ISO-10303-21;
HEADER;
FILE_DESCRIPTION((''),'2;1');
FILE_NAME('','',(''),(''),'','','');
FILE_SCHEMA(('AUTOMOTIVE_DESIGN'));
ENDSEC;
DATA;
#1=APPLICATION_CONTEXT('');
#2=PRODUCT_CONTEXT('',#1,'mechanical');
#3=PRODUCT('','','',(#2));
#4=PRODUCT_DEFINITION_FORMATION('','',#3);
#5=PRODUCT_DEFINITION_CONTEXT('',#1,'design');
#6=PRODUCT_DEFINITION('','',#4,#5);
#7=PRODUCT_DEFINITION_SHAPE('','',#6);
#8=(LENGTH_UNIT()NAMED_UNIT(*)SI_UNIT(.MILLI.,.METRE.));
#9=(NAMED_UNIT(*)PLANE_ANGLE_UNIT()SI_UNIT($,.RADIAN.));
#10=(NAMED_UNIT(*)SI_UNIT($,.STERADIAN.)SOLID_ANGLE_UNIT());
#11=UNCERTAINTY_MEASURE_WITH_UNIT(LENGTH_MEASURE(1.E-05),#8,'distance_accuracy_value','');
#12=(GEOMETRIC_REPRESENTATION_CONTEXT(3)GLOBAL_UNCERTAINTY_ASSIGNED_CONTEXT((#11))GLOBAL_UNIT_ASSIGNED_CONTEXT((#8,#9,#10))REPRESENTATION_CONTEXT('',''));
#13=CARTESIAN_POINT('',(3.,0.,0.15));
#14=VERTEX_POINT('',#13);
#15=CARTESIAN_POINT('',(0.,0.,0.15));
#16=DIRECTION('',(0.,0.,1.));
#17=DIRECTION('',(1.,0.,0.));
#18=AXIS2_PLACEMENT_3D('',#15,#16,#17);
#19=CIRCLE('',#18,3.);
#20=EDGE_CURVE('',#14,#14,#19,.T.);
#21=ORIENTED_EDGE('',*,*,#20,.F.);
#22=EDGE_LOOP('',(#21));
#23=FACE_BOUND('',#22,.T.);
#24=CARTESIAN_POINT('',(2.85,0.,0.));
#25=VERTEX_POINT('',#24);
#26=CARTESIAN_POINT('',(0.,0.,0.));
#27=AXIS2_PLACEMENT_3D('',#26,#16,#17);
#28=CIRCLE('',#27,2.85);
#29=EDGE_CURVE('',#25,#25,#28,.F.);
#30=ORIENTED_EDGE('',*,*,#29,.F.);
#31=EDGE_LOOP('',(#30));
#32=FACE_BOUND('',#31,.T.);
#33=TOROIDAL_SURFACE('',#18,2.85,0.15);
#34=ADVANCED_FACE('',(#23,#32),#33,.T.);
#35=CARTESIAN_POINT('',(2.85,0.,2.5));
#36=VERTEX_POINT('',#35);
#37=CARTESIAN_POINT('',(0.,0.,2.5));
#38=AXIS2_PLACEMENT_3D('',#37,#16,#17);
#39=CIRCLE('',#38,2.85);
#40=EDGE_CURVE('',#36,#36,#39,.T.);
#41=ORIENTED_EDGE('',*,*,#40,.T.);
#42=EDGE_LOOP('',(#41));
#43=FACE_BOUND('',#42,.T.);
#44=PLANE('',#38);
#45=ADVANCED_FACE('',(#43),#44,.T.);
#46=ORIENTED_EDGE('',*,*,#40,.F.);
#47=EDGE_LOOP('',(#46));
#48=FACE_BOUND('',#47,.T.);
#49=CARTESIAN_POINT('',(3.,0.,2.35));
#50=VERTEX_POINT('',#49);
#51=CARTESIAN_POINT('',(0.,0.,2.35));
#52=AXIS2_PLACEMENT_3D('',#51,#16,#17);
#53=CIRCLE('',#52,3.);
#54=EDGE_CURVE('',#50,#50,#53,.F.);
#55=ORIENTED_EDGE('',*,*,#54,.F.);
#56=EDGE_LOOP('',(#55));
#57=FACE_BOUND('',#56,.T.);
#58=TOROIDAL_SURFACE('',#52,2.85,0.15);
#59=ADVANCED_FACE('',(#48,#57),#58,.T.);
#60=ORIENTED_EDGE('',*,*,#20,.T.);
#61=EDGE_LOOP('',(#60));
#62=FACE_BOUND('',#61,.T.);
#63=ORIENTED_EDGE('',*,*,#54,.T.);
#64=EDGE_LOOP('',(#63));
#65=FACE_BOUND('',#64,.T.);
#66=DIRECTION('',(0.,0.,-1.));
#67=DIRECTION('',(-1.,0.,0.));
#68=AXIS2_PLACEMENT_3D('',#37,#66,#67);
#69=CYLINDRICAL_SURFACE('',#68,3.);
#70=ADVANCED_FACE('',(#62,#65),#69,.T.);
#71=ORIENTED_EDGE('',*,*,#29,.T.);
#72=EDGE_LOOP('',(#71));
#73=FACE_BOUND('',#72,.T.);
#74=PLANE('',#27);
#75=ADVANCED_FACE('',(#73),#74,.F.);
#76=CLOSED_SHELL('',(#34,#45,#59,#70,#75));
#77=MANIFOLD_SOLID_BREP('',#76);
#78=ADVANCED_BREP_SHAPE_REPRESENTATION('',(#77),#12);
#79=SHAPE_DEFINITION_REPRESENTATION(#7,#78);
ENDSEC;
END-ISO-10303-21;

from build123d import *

# Parameters (mm, degrees)
SKICA1_R                = 3
P_IDAT_VYSUNUT_M1_DEPTH = 2.5
ZAOBLIT1_R              = 0.15


with BuildPart() as part:
    # Skica1 → Přidat vysunutím1 (new body)
    with BuildSketch(Plane.XY):
        Circle(SKICA1_R)
    extrude(amount=P_IDAT_VYSUNUT_M1_DEPTH)

    # Zaoblit1
    zaoblit1_edges = [part.edges().sort_by_distance(p)[0] for p in [
        (-3, 0, 0),
        (-3, 0, 2.5),
    ]]
    fillet(zaoblit1_edges, radius=ZAOBLIT1_R)


solid = part.part
